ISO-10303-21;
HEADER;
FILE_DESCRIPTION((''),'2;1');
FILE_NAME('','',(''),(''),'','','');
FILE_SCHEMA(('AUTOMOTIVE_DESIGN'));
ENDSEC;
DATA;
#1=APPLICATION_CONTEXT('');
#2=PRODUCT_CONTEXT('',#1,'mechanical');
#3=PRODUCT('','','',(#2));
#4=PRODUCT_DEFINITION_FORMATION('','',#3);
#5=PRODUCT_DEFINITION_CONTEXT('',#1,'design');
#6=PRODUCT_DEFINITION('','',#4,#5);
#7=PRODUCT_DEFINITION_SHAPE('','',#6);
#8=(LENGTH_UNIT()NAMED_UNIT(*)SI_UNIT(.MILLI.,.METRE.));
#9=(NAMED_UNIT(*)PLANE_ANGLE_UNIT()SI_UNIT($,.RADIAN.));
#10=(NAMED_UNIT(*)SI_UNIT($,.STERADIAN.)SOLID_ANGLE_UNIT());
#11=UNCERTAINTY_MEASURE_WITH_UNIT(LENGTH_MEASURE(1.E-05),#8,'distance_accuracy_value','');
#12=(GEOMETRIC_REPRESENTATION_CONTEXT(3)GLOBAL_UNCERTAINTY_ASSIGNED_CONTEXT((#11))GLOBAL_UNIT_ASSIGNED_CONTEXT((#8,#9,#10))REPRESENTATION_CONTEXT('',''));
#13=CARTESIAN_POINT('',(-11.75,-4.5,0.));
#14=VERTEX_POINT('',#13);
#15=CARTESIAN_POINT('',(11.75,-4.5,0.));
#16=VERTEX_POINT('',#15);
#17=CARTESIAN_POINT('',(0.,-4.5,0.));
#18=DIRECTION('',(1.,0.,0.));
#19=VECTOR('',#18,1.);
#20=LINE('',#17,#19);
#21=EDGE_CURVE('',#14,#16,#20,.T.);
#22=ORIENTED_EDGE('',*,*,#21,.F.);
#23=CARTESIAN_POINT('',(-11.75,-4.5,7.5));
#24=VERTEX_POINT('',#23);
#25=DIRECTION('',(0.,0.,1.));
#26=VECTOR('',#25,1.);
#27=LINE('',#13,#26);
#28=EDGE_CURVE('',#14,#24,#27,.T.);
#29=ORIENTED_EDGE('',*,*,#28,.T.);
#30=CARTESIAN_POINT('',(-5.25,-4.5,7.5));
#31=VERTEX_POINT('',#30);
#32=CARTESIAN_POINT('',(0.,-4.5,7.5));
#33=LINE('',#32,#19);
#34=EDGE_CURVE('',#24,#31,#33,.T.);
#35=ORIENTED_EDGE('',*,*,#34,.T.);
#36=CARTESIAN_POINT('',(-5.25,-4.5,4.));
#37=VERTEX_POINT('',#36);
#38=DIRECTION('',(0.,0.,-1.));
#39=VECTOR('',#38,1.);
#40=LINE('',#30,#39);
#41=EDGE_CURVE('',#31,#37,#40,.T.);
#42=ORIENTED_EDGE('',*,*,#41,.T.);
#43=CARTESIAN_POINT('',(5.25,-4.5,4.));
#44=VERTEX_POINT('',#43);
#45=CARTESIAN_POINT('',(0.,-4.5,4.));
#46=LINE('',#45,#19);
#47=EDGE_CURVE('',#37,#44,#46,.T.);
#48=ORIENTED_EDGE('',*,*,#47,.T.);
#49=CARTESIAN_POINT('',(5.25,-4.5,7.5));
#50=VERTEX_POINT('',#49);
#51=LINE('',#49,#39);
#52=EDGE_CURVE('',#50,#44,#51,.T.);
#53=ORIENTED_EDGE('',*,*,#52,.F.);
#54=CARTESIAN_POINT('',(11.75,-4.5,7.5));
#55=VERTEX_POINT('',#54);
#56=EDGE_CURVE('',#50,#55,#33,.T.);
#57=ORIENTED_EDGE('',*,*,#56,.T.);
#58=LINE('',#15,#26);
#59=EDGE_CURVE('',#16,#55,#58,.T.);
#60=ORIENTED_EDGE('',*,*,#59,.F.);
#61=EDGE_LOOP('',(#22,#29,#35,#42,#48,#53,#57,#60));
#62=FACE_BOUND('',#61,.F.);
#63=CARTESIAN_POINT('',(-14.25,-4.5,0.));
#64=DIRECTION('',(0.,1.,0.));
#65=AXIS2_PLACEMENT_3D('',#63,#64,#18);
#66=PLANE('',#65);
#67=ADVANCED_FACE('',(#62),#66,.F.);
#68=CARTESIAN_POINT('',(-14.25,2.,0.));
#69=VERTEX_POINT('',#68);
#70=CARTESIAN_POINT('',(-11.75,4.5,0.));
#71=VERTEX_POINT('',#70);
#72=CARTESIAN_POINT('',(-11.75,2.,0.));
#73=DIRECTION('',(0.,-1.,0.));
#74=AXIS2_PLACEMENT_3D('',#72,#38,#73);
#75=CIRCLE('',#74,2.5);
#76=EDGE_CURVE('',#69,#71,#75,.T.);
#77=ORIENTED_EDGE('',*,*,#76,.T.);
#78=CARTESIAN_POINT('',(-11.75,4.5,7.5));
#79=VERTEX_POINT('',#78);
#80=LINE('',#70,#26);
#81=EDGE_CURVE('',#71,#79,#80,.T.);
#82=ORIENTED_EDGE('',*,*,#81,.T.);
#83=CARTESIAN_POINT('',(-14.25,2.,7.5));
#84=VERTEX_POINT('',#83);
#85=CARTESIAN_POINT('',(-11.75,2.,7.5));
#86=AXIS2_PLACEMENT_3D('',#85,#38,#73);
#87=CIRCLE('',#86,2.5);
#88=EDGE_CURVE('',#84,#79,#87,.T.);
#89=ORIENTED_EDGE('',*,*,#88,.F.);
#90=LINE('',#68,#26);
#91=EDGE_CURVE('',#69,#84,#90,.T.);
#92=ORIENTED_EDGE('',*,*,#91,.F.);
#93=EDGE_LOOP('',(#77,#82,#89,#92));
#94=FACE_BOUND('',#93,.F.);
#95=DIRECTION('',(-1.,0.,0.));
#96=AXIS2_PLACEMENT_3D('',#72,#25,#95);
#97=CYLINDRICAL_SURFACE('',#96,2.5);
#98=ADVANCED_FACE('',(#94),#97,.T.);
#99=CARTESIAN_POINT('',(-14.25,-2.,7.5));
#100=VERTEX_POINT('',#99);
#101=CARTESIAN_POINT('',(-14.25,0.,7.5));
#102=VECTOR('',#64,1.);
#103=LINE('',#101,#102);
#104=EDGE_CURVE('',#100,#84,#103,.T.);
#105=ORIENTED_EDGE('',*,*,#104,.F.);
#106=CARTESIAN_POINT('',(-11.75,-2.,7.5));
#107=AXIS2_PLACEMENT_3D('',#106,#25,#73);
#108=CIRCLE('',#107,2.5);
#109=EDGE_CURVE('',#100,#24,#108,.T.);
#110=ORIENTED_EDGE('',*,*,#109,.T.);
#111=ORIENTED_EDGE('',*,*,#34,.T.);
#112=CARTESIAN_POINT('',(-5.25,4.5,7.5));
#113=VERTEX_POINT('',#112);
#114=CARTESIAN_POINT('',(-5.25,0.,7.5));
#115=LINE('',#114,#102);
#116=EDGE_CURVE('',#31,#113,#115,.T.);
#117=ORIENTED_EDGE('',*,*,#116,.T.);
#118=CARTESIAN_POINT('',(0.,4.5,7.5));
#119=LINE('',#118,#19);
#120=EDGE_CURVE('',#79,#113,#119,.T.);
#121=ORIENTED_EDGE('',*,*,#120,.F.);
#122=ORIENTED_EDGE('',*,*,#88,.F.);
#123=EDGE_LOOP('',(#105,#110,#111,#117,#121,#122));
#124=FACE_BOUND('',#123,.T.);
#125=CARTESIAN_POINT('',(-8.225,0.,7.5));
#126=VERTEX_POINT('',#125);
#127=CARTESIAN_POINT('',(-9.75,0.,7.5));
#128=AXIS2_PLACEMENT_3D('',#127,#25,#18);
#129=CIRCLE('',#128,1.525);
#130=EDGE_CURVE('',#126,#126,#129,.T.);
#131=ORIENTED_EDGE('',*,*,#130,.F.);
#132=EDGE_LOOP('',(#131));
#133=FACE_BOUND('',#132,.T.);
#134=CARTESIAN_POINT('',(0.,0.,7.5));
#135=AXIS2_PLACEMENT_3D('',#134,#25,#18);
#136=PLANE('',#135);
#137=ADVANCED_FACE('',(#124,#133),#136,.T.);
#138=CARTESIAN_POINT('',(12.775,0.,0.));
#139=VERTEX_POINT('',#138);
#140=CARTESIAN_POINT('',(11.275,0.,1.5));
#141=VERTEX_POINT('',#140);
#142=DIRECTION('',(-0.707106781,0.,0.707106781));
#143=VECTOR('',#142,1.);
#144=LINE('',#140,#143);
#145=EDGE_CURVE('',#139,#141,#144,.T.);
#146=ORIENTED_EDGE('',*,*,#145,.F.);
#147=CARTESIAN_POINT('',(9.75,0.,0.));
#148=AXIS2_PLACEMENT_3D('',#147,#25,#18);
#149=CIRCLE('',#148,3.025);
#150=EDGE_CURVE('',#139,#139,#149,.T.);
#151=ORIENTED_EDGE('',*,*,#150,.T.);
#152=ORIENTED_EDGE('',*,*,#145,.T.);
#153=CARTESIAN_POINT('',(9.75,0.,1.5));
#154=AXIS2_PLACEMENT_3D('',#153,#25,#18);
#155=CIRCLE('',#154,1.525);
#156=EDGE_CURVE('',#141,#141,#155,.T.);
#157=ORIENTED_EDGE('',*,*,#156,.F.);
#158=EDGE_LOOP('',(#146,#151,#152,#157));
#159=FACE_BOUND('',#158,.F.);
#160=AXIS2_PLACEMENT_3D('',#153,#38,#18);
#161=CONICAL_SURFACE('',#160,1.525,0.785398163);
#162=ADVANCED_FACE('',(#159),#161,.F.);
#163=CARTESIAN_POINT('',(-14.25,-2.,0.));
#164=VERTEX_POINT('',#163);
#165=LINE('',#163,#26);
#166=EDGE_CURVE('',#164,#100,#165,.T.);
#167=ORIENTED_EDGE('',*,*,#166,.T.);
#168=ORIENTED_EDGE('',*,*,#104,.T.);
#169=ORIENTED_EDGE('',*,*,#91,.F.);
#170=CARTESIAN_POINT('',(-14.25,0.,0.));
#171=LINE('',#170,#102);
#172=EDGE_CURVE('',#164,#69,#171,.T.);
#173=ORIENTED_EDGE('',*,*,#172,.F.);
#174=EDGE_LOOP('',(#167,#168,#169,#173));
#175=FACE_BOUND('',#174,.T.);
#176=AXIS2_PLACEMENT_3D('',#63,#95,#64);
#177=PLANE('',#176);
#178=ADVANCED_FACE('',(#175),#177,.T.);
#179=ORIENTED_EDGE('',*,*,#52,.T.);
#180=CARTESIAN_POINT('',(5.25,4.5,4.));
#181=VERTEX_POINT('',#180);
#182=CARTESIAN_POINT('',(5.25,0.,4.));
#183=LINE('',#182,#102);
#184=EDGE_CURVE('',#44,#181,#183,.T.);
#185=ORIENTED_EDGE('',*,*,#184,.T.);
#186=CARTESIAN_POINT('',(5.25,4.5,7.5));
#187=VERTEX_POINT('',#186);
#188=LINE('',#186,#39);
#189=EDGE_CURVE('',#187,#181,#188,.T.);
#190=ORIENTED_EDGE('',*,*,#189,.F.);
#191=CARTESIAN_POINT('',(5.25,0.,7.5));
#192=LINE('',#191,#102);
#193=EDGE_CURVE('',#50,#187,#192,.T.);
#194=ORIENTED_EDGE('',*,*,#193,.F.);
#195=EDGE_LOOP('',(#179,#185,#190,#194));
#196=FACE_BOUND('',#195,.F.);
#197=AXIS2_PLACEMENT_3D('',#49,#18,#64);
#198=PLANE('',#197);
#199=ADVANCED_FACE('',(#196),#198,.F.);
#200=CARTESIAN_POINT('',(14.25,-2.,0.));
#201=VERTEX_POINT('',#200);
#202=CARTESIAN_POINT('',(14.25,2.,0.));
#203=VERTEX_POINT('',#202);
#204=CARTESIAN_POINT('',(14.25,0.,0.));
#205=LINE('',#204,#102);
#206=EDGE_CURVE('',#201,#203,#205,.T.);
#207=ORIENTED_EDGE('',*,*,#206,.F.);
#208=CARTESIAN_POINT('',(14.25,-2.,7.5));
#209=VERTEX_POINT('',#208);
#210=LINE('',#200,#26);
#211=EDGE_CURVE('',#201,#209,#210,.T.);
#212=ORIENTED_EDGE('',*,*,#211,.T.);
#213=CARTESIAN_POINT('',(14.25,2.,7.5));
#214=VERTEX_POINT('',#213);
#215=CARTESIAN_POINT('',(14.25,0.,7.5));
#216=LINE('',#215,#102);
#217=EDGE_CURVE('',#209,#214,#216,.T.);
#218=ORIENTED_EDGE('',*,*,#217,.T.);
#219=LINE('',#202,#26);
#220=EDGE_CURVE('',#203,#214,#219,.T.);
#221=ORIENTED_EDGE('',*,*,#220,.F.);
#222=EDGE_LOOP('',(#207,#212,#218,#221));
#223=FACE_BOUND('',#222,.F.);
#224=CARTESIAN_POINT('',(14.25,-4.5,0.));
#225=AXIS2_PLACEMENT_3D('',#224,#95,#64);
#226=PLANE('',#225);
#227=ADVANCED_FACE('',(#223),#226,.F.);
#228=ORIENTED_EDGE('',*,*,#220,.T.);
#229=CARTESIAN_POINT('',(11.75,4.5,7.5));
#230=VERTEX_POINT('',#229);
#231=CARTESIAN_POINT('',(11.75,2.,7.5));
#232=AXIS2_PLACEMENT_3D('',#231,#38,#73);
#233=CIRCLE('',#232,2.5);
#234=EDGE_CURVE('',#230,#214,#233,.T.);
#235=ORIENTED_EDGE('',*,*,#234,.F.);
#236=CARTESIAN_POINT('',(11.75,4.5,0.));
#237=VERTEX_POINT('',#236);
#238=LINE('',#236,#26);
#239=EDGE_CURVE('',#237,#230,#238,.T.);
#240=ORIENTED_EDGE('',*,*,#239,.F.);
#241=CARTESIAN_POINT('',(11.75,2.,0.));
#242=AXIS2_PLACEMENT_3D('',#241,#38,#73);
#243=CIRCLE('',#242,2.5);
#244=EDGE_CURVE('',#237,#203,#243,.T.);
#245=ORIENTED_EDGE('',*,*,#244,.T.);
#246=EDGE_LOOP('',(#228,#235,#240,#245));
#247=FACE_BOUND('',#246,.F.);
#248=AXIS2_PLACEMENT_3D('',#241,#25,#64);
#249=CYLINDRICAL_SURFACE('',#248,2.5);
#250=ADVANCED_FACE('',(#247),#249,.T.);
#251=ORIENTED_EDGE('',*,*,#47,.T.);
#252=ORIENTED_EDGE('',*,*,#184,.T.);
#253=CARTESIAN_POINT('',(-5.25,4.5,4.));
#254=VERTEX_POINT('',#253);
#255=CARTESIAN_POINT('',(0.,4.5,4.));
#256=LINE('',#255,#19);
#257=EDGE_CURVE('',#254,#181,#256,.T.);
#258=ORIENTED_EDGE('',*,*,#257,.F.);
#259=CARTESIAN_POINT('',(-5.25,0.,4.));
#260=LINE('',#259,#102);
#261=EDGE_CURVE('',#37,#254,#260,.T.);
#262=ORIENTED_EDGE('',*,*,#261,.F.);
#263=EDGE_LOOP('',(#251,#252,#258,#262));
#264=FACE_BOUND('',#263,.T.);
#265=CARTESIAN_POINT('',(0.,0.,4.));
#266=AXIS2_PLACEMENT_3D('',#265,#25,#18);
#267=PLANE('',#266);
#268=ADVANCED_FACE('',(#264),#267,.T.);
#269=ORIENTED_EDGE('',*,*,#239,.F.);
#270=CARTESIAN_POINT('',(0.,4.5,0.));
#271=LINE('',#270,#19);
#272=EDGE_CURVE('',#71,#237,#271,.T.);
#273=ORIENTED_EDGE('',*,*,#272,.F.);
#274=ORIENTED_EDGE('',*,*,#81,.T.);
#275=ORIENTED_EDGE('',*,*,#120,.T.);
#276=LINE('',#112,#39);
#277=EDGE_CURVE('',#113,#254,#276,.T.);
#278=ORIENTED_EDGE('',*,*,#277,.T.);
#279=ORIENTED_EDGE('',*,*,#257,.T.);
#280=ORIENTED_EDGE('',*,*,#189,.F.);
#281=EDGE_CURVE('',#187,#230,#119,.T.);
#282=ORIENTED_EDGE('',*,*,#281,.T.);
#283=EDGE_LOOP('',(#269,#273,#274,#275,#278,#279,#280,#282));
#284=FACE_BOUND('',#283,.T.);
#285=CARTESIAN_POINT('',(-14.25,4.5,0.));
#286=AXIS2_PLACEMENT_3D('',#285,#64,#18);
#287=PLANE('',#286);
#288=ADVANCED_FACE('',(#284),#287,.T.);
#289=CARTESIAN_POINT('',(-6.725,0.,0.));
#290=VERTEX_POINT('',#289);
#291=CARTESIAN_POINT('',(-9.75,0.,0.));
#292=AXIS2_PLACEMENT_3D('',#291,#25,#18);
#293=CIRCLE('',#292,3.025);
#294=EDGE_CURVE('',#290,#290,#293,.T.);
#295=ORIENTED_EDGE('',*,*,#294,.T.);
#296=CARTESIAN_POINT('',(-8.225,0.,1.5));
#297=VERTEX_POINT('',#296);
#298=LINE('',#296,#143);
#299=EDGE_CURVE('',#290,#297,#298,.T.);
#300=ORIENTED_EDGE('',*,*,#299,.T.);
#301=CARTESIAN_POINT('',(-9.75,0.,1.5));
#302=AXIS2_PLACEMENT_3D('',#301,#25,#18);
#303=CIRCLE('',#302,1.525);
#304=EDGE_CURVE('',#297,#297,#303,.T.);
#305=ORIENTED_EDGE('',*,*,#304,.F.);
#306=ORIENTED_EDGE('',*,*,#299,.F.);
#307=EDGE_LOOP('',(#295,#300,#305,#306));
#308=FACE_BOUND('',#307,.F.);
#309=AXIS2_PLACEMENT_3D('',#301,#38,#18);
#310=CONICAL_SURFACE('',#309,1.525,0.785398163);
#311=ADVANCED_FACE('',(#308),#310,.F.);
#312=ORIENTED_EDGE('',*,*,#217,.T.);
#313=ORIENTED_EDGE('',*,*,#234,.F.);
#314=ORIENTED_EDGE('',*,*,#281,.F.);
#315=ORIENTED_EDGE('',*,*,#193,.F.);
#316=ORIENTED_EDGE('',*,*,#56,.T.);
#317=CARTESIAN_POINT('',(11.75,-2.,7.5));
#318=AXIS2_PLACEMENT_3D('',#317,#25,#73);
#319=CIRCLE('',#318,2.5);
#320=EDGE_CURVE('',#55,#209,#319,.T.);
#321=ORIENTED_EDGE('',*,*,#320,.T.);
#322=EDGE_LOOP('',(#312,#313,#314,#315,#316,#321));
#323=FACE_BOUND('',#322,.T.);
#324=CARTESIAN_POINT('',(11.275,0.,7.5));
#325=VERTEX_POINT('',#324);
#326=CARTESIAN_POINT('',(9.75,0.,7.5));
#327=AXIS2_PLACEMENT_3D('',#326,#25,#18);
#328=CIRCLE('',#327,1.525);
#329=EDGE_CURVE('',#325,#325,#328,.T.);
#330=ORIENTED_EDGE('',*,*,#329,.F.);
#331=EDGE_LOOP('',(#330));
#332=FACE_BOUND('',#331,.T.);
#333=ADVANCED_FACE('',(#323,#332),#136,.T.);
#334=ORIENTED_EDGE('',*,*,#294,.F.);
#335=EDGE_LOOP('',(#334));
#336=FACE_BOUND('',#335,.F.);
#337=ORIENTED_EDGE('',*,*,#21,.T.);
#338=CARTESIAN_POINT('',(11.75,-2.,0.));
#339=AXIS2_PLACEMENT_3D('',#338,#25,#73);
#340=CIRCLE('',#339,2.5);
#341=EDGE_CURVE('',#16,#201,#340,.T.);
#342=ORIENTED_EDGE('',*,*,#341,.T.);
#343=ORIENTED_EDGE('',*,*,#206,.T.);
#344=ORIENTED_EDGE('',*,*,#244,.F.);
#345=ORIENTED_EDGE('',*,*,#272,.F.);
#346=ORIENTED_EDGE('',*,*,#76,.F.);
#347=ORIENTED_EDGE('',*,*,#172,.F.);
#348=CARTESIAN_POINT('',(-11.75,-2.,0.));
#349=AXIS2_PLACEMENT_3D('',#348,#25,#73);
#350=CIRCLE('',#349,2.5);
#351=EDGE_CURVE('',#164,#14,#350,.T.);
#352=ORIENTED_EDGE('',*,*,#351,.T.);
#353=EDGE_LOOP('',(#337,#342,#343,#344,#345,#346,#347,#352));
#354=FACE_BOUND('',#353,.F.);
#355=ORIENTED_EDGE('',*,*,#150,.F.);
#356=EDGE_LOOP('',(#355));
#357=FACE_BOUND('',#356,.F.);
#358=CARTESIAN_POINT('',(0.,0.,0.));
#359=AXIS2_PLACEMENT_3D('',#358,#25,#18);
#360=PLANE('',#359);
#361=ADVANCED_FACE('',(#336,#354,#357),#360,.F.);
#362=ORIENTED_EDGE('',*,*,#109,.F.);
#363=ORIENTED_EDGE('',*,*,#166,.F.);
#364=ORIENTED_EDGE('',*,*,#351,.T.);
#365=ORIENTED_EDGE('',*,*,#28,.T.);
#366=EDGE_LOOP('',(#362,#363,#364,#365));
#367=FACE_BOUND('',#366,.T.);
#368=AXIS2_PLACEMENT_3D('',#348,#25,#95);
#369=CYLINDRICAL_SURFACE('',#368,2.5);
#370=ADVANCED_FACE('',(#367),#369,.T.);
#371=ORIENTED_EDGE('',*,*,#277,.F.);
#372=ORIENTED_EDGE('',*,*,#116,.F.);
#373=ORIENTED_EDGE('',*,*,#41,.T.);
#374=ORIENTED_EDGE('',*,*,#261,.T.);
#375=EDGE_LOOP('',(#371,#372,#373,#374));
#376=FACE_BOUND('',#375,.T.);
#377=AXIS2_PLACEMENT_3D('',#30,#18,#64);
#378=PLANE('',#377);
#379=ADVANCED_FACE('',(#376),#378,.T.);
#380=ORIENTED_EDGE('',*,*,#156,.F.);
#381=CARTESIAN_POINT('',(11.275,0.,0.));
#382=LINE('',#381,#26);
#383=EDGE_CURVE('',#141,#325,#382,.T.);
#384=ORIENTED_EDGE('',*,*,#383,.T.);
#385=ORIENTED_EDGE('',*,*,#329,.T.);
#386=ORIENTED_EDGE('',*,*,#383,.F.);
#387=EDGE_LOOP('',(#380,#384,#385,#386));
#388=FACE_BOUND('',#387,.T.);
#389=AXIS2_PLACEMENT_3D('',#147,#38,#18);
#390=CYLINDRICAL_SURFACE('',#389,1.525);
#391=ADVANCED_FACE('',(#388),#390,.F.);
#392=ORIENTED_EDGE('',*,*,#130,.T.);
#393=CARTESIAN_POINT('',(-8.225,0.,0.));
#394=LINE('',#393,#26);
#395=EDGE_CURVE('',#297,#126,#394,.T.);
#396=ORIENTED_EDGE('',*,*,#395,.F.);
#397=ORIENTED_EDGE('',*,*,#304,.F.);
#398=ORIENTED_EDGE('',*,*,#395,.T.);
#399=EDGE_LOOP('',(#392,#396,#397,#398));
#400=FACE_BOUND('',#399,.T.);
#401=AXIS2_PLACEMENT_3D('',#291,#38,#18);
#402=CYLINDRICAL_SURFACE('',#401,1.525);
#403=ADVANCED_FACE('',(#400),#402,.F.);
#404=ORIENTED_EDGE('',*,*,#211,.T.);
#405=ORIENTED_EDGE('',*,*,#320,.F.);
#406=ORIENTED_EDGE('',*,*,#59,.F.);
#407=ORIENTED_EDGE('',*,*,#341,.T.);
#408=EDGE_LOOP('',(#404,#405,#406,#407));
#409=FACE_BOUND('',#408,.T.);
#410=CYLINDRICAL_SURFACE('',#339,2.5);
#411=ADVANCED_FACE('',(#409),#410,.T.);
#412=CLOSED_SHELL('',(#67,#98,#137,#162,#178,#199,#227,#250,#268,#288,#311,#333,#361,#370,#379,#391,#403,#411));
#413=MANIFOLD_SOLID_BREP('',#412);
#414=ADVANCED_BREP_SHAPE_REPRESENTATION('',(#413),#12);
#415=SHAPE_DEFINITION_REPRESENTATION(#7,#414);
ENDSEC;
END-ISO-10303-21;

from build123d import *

# Parameters (mm, degrees)
F0_W     = 28.5
F0_H     = 9
F0_R     = 1.525
F1_DEPTH = 7.5
F2_W     = 10.5
F2_H     = 9
F3_DEPTH = 3.5
F4_R     = 2.5
F5_SIZE2 = 1.5
F5_SIZE  = 1.5


with BuildPart() as f1:
    # F0 (on Top) → F1 (new body)
    with BuildSketch(Plane.XY):
        Rectangle(F0_W, F0_H)
        with Locations((-9.75, 0)):
            Circle(F0_R, mode=Mode.SUBTRACT)
        with Locations((9.75, 0)):
            Circle(F0_R, mode=Mode.SUBTRACT)
    extrude(amount=F1_DEPTH)

    # F2 (on face) → F3 (cut)
    with BuildSketch(Plane.XY.offset(7.5)):
        Rectangle(F2_W, F2_H)
    extrude(amount=-F3_DEPTH, mode=Mode.SUBTRACT)

    # F4
    f4_edges = [f1.edges().sort_by_distance(p)[0] for p in [
        (14.25, -4.5, 3.75),
        (14.25, 4.5, 3.75),
        (-14.25, -4.5, 3.75),
        (-14.25, 4.5, 3.75),
    ]]
    fillet(f4_edges, radius=F4_R)

    # F5
    f5_edges = [f1.edges().sort_by_distance(p)[0] for p in [
        (-11.275, 0, 0),
        (8.225, 0, 0),
    ]]
    chamfer(f5_edges, length=F5_SIZE, length2=F5_SIZE2)


solid = f1.part
